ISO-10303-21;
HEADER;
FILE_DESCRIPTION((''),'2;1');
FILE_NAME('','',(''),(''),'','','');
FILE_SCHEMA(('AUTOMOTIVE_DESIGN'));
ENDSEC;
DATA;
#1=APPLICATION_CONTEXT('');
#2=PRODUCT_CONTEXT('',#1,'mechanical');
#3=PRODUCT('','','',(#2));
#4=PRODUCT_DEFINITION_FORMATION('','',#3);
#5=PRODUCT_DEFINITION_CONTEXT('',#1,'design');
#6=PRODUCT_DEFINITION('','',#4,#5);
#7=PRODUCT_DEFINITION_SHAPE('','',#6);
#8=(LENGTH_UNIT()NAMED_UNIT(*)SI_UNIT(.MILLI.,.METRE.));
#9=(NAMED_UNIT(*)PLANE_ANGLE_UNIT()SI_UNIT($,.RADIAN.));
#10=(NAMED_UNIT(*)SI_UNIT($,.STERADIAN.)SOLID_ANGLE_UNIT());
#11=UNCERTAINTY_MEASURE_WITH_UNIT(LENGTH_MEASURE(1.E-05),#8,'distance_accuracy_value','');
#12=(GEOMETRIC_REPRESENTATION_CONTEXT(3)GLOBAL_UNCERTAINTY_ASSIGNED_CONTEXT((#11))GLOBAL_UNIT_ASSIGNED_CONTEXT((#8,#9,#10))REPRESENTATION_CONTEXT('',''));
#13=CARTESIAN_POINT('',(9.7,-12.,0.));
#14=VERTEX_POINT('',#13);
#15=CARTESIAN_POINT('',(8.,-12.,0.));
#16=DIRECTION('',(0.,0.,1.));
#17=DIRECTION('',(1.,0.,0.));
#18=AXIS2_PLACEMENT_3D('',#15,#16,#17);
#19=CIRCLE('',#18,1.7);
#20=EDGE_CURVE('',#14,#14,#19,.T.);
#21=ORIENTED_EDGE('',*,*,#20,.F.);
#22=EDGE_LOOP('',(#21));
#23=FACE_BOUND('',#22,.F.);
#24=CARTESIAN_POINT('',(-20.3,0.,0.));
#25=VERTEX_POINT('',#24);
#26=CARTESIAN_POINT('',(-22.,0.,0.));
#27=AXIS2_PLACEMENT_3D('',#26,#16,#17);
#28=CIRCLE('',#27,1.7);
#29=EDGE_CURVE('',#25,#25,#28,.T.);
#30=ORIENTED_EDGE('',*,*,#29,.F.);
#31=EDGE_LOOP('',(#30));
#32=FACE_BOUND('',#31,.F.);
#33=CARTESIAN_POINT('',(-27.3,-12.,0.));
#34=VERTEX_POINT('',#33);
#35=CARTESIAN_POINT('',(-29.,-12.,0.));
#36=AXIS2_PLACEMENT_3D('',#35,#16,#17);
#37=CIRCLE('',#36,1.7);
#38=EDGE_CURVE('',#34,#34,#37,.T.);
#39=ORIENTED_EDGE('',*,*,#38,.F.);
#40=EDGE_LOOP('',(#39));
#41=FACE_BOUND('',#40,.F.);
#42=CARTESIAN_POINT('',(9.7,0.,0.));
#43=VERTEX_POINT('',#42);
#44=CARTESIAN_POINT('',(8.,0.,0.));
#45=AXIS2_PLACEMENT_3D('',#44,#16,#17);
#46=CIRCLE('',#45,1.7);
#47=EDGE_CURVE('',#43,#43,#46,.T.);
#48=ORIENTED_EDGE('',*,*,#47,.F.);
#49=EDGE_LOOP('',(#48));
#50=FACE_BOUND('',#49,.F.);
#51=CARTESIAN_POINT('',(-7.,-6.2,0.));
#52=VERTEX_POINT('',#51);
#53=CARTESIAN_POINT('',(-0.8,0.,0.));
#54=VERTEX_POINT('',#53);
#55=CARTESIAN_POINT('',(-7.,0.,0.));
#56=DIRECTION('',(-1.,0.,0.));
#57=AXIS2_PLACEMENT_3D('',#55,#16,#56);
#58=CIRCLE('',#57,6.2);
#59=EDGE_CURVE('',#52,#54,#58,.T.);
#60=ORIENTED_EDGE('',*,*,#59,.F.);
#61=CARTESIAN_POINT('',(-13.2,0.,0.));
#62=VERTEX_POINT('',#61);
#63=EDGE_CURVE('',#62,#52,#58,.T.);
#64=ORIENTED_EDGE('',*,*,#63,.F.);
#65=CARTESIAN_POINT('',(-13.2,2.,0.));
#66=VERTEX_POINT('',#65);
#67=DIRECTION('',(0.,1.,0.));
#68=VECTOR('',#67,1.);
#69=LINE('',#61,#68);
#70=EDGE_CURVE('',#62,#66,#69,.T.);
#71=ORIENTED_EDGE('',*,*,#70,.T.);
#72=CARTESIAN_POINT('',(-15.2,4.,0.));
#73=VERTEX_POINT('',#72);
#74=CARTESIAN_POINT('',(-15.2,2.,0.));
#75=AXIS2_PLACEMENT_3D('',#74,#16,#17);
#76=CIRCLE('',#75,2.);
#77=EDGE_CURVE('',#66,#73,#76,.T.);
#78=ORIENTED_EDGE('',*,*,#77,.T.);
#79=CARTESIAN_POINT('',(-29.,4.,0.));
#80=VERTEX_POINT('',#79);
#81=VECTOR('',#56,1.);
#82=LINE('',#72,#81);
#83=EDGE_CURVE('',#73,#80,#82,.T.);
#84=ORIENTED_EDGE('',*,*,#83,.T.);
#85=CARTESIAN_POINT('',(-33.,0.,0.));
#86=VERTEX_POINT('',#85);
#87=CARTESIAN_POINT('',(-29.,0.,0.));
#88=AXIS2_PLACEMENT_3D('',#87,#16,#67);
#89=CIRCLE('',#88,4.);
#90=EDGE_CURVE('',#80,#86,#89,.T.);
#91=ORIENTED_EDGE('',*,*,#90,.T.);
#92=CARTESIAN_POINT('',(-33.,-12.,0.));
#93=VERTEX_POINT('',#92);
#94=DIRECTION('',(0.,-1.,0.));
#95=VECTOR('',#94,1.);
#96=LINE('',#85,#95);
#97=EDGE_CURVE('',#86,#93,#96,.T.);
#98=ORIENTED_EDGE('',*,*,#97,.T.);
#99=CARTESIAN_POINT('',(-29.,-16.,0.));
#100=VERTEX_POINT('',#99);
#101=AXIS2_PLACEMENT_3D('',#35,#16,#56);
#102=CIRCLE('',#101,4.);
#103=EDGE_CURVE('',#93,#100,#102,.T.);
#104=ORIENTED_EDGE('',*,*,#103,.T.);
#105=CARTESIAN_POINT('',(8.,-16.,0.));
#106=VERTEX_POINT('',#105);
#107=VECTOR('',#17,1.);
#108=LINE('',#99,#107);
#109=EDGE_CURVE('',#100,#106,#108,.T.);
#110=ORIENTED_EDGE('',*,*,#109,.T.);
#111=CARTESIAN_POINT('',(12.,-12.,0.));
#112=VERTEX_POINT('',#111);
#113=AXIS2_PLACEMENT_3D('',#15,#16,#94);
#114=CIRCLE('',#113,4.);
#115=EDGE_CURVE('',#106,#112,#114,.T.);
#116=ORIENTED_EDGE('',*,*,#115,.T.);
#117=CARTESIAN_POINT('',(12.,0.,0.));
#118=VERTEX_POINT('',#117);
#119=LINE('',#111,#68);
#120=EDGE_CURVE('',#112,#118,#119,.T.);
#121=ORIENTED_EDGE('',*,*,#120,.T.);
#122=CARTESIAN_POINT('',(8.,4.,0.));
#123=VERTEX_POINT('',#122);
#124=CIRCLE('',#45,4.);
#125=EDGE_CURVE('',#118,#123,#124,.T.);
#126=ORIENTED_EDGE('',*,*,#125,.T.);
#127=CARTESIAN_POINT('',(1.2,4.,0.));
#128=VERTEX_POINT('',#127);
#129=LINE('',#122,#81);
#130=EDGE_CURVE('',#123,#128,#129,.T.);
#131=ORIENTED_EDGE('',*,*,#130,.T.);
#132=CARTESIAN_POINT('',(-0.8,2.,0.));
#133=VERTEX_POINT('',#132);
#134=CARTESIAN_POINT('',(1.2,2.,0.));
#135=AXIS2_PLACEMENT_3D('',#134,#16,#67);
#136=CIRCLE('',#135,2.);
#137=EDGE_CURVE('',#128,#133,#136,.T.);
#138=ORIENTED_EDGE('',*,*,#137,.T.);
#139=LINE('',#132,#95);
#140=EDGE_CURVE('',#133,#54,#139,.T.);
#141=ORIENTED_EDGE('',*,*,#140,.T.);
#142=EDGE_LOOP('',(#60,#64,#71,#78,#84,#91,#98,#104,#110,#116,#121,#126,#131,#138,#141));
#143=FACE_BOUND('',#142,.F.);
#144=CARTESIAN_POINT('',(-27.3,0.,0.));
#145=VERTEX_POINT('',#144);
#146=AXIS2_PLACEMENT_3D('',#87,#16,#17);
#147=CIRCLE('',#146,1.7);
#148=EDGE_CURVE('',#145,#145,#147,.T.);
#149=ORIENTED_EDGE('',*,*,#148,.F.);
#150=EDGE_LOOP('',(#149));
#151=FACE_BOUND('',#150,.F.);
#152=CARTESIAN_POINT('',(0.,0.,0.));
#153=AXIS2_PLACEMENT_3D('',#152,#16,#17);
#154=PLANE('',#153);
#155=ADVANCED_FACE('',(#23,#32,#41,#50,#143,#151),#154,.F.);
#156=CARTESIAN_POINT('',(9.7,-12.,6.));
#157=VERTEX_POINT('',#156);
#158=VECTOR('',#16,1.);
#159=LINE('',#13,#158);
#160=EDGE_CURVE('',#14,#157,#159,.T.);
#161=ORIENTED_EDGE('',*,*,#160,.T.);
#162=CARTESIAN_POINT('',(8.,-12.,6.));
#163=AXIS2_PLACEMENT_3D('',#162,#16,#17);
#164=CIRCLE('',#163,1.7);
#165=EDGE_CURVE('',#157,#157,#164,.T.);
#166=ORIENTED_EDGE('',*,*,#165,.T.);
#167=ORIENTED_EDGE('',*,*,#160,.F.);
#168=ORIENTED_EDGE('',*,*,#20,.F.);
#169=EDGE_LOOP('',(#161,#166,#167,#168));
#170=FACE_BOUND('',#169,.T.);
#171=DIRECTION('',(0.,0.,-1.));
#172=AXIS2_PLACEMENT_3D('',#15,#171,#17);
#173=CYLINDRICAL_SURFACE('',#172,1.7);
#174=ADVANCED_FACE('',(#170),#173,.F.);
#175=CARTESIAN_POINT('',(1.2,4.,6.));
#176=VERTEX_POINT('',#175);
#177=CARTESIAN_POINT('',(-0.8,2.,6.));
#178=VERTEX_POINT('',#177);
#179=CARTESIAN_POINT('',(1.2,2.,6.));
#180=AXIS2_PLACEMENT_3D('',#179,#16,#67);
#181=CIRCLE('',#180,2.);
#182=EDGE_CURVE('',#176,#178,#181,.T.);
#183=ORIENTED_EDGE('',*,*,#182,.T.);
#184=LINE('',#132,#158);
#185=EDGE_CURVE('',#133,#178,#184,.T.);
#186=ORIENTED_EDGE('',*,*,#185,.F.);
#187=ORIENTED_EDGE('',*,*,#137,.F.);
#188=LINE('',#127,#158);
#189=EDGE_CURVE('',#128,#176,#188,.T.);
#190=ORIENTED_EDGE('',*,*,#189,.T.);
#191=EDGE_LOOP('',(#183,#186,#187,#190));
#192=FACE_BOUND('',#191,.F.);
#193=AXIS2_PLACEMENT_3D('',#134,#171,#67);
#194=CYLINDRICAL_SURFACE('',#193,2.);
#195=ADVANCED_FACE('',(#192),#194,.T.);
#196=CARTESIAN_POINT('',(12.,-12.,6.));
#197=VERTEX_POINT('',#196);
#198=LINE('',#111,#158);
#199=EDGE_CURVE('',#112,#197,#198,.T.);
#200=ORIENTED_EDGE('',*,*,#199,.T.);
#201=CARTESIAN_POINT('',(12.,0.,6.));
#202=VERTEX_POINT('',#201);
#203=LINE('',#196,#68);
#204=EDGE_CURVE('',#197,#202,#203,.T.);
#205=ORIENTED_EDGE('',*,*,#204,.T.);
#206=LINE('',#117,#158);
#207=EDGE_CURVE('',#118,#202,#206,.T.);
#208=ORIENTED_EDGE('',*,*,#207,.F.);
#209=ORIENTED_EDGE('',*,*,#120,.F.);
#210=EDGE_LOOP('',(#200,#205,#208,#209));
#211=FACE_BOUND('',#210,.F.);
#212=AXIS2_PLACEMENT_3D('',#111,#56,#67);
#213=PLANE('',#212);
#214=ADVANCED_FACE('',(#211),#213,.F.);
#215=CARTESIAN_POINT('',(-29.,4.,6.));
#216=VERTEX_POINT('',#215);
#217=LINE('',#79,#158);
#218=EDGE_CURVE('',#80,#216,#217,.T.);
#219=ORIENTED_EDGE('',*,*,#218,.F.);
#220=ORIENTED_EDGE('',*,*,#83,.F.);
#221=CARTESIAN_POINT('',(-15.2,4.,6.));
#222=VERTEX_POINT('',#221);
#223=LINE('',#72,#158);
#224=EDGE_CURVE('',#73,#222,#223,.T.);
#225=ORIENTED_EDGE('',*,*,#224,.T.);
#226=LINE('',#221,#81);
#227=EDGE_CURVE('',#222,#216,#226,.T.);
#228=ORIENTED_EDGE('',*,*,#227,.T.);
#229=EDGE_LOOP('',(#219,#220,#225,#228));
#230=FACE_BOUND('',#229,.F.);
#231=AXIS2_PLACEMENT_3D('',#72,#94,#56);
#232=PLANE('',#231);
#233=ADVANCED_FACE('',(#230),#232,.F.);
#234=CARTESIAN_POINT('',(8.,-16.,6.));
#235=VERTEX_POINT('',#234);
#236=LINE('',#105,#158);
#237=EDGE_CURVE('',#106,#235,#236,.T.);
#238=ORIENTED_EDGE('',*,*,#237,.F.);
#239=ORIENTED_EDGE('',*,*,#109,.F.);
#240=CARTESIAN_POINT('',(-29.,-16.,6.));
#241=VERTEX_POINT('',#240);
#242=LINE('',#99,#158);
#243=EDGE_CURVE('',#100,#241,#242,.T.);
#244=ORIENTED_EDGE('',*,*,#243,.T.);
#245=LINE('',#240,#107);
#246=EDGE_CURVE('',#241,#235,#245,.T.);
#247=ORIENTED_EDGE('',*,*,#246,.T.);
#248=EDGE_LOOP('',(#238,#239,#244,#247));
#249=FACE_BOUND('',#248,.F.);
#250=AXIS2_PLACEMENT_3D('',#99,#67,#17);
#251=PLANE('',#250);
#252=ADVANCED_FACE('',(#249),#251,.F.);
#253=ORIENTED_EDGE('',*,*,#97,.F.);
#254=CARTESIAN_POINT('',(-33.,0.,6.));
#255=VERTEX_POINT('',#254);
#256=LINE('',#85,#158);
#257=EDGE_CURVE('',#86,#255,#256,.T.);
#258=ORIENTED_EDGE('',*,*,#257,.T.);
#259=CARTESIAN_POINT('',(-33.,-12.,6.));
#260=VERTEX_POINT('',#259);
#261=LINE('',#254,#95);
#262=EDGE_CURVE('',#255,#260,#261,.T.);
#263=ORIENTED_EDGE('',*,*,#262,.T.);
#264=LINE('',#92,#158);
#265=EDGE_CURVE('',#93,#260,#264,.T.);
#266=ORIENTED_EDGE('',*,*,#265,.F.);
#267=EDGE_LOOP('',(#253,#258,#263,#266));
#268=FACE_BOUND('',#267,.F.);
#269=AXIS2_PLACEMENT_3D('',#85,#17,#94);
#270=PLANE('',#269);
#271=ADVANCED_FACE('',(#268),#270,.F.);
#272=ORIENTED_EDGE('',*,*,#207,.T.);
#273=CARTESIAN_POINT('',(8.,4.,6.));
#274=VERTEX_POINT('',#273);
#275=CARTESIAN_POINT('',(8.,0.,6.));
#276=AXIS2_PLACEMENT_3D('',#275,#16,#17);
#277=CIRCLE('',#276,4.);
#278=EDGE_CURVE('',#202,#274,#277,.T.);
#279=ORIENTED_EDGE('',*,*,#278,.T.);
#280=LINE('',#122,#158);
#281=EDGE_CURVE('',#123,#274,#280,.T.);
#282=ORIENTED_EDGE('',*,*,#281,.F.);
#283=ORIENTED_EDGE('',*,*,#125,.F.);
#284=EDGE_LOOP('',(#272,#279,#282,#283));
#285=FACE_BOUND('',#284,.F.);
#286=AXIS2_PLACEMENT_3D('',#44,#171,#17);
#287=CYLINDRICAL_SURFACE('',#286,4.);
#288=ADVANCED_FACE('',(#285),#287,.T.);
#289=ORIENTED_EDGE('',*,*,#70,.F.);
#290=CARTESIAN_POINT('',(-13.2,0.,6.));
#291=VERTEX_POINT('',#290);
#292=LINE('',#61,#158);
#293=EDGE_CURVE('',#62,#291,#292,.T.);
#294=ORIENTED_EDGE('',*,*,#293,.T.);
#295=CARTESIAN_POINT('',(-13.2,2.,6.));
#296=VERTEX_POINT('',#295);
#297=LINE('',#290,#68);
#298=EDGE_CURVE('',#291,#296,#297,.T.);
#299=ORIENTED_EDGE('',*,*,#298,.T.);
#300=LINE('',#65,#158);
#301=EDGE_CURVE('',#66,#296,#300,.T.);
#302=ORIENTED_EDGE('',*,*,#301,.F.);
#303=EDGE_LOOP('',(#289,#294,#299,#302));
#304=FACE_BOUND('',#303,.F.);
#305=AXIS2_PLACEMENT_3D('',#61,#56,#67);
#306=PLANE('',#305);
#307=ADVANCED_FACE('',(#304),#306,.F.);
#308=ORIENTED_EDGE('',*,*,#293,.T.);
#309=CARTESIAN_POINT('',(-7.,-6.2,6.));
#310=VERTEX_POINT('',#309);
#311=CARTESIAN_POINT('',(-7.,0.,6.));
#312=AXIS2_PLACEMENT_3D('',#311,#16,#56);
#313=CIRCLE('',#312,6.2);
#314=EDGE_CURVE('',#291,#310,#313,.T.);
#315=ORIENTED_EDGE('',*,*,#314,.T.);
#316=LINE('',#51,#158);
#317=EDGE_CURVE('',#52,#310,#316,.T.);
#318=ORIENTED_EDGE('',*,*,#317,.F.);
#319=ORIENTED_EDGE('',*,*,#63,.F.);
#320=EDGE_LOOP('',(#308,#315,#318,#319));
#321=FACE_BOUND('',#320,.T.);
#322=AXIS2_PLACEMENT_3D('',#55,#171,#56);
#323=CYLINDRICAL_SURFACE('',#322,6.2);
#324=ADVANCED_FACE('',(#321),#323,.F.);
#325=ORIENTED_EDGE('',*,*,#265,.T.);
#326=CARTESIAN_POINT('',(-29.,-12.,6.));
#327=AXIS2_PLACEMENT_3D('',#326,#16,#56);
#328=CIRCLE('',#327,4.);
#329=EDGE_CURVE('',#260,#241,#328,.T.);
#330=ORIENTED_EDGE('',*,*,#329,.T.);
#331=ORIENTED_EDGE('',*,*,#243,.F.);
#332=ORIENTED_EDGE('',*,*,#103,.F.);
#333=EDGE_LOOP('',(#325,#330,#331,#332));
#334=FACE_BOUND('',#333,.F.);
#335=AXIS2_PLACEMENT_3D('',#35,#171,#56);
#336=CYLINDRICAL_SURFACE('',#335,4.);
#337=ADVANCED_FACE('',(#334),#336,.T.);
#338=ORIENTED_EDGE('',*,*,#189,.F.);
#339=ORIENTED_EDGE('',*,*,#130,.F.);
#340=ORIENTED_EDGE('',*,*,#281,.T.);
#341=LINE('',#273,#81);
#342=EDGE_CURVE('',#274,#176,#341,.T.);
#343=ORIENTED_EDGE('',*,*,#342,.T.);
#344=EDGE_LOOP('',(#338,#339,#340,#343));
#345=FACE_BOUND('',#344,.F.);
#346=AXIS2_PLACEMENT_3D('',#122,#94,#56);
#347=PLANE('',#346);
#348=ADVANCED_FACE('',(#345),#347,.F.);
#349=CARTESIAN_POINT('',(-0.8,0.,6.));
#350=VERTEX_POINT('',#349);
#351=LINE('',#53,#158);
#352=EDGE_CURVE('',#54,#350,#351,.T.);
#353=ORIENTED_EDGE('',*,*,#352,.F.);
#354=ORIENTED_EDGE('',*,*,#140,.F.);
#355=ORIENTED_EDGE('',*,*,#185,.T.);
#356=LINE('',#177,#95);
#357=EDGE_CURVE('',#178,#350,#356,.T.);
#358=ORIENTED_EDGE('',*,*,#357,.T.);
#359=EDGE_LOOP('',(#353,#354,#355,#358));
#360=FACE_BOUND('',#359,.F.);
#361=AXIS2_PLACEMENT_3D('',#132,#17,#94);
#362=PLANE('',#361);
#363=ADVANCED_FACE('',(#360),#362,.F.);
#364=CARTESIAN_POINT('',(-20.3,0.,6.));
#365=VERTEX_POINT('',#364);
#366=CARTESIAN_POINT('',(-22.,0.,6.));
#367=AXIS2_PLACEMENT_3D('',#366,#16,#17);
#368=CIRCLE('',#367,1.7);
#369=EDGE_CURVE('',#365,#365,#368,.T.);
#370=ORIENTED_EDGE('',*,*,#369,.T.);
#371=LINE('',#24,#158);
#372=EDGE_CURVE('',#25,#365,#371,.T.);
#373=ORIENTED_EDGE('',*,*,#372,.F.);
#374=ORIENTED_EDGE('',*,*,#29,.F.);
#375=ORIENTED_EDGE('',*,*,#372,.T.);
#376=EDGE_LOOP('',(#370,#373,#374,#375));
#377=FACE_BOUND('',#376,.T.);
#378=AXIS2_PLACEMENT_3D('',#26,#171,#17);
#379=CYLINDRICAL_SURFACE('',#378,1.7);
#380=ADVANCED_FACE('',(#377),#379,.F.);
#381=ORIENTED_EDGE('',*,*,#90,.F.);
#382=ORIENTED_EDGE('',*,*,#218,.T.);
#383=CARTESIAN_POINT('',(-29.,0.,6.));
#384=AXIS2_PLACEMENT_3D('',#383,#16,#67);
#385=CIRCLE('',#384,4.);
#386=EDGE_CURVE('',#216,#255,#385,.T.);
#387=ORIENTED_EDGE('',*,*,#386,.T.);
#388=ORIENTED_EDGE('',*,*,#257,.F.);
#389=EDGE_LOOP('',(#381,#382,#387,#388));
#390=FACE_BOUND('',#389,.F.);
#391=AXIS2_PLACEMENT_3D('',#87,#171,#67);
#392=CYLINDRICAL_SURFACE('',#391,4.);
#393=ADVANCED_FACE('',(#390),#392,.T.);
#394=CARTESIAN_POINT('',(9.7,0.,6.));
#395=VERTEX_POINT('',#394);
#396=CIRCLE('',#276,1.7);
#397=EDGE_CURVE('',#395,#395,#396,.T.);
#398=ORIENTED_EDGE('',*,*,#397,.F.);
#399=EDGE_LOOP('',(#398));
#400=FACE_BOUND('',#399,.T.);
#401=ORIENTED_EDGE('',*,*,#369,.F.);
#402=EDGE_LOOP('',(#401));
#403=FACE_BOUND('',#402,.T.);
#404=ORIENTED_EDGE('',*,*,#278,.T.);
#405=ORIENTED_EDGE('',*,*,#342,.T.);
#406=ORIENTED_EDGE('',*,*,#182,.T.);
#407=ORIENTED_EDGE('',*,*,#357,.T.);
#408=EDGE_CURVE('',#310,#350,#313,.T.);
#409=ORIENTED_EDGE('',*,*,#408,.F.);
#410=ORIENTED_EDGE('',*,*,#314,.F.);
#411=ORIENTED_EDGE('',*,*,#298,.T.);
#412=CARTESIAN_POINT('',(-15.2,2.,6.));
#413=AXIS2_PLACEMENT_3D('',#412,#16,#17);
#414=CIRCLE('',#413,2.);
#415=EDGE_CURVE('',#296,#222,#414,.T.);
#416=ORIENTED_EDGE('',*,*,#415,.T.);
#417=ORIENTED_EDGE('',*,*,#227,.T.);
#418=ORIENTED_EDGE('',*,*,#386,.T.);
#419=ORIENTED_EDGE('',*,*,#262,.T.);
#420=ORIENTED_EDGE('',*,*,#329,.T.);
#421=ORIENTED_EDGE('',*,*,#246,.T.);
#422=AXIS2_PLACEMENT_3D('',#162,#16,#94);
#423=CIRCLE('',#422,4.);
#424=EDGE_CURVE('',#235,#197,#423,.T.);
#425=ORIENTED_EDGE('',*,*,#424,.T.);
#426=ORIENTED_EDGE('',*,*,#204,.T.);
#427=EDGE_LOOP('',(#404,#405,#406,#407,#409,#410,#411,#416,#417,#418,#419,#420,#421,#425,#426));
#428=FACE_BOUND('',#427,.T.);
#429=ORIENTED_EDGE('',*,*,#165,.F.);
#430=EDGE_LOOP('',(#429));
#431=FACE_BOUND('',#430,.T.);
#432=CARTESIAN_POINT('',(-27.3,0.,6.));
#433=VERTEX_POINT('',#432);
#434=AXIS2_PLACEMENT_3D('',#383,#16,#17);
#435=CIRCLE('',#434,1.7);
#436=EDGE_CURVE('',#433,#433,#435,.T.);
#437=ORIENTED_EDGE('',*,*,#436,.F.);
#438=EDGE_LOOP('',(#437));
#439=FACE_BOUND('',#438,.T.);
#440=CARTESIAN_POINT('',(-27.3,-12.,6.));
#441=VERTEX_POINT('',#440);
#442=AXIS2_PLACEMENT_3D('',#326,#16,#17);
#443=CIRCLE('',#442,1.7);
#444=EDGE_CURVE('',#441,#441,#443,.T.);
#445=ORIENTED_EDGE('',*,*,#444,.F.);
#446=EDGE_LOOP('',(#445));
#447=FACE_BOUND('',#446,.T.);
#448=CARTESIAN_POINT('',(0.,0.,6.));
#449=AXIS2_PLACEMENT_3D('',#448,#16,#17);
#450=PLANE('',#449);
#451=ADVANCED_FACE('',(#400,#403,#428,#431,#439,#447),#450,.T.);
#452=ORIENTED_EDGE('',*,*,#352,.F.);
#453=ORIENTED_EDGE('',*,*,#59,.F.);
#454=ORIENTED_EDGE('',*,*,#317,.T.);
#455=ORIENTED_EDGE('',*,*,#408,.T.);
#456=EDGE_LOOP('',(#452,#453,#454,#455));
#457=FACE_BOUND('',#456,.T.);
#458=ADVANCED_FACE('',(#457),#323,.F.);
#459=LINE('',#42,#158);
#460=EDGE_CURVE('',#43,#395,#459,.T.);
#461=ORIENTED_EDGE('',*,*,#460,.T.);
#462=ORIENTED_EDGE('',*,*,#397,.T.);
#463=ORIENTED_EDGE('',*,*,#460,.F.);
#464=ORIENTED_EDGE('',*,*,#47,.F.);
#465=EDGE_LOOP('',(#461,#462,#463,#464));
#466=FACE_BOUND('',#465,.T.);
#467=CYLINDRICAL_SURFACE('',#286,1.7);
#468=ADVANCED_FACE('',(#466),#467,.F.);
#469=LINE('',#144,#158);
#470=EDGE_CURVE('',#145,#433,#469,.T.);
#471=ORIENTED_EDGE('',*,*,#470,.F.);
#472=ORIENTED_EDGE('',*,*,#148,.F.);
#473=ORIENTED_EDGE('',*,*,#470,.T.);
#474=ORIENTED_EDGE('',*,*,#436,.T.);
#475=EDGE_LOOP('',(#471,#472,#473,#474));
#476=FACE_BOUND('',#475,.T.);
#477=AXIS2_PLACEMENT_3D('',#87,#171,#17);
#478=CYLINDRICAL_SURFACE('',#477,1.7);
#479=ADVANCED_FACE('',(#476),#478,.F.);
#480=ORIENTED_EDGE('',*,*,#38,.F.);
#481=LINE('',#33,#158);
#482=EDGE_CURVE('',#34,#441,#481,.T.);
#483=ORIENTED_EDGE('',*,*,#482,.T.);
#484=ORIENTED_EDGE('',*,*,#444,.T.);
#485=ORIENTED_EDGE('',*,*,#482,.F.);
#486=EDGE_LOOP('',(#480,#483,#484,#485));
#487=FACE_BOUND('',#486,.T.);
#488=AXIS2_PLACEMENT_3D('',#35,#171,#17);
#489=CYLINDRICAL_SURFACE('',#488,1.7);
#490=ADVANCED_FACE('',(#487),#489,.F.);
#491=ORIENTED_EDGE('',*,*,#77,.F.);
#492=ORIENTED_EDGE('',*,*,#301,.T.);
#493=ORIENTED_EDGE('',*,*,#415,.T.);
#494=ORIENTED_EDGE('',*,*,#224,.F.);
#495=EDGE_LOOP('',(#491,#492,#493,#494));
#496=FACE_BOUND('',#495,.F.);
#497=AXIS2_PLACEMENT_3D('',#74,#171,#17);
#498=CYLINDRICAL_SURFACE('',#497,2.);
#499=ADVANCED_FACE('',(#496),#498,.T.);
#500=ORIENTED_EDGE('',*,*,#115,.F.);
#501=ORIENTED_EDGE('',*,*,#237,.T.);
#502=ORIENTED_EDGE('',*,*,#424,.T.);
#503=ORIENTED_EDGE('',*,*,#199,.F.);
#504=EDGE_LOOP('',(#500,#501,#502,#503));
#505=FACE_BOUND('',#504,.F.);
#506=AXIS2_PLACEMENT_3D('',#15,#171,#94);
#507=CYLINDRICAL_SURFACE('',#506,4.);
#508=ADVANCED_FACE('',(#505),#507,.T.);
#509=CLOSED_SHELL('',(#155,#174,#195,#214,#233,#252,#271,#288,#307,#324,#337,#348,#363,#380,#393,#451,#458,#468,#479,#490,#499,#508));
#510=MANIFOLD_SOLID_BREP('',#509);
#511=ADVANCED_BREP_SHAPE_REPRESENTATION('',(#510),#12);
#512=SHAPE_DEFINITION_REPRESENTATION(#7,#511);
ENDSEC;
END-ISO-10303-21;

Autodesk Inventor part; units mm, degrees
ref_plane "YZ Plane" through (0, 0, 0) normal (1, 0, 0) x (0, 1, 0)
ref_plane "XZ Plane" through (0, 0, 0) normal (0, 1, 0) x (-1, 0, 0)
ref_plane "XY Plane" through (0, 0, 0) normal (0, 0, 1) x (1, 0, 0)
sketch "Sketch1" plane through (0, 0, 0) normal (0, 0, 1) x (1, 0, 0)
  line L0 (8, 8.75) -> (8, 11) construction
  line L1 (8, 11) -> (5.7378, 11) construction
  line L2 (5.7378, 11) -> (5.7378, 8) construction
  line L3 (5.7378, 8) -> (3.2622, 8) construction
  line L4 (3.2622, 8) -> (3.2622, 11) construction
  line L5 (3.2622, 11) -> (-17.2622, 11) construction
  line L6 (-17.2622, 11) -> (-17.2622, 8) construction
  line L7 (-17.2622, 8) -> (-19.7378, 8) construction
  line L8 (-19.7378, 8) -> (-19.7378, 11) construction
  line L9 (-19.7378, 11) -> (-22.75, 11) construction
  line L10 (-25.75, 14) -> (-22.75, 11) construction
  line L11 (-25.75, 14) -> (-25.75, 0) construction
  arc A0 (-25.75, 0) -> (-22, -3.75) centre (-22, 0) ccw construction
  line L12 (-22, -3.75) -> (-20.3954, -3.75) construction
  arc A1 (-16.2094, -6.0156) -> (-20.3954, -3.75) centre (-20.3954, -8.75) ccw construction
  arc A2 (-16.2094, -6.0156) -> (2.2094, -6.0156) centre (-7, 0) ccw construction
  arc A3 (6.3954, -3.75) -> (2.2094, -6.0156) centre (6.3954, -8.75) ccw construction
  line L13 (6.3954, -3.75) -> (8, -3.75) construction
  arc A4 (8, -3.75) -> (11.75, 0) centre (8, 0) ccw construction
  line L14 (11.75, 0) -> (11.75, 7) construction
  line L15 (11.75, 7) -> (9.75, 7) construction
  line L16 (9.75, 7) -> (8, 8.75) construction
  circle A5 centre (-7, 0) radius 8.2 construction
  circle A6 centre (8, 0) radius 1.75 construction
  circle A7 centre (-22, 0) radius 1.75 construction
  circle A8 centre (-22, 0) radius 1.7
  circle A9 centre (8, 0) radius 1.7
  line L17 (-33, 0) -> (-33, -12)
  line L18 (-29, -16) -> (8, -16)
  line L19 (12, -12) -> (12, 0)
  line L20 (15, 5) -> (-29, 5) construction
  circle A10 centre (-29, 0) radius 1.7
  circle A11 centre (-29, -12) radius 1.7
  circle A12 centre (8, -12) radius 1.7
  arc A13 (-29, 4) -> (-33, 0) centre (-29, 0) ccw
  arc A14 (12, 0) -> (8, 4) centre (8, 0) ccw
  arc A15 (8, -16) -> (12, -12) centre (8, -12) ccw
  arc A16 (-33, -12) -> (-29, -16) centre (-29, -12) ccw
  line L21 (-13.2, 0) -> (-13.2, 2)
  line L22 (-0.8, 2) -> (-0.8, 0)
  line L23 (8, 4) -> (1.2, 4)
  line L24 (-15.2, 4) -> (-29, 4)
  arc A17 (-13.2, 0) -> (-0.8, 0) centre (-7, 0) ccw
  arc A18 (1.2, 4) -> (-0.8, 2) centre (1.2, 2) ccw
  arc A19 (-13.2, 2) -> (-15.2, 4) centre (-15.2, 2) ccw
  line L25 (-7, 0) -> (-7, -14.8436)
  circle A20 centre (-29, 0) radius 3 construction
  point P0 (0, 0)
  point P1 (-7, -3)
  dimension "d1" = 3.4
  dimension "d2" = 3.4
  dimension "d7" = 3.4
  dimension "d8" = 3.4
  dimension "d10" = 3.4
  dimension "d11" = 4
  dimension "d13" = 2
  dimension "d16" = 6.2
  dimension "d20" = 37
  dimension "d21" = 12
  dimension "d23" = 4
  dimension "d24" = 6
extrude "Extrusion1" add sketch "Sketch1" along normal blind 6
properties part number "Extruder_clamp"
